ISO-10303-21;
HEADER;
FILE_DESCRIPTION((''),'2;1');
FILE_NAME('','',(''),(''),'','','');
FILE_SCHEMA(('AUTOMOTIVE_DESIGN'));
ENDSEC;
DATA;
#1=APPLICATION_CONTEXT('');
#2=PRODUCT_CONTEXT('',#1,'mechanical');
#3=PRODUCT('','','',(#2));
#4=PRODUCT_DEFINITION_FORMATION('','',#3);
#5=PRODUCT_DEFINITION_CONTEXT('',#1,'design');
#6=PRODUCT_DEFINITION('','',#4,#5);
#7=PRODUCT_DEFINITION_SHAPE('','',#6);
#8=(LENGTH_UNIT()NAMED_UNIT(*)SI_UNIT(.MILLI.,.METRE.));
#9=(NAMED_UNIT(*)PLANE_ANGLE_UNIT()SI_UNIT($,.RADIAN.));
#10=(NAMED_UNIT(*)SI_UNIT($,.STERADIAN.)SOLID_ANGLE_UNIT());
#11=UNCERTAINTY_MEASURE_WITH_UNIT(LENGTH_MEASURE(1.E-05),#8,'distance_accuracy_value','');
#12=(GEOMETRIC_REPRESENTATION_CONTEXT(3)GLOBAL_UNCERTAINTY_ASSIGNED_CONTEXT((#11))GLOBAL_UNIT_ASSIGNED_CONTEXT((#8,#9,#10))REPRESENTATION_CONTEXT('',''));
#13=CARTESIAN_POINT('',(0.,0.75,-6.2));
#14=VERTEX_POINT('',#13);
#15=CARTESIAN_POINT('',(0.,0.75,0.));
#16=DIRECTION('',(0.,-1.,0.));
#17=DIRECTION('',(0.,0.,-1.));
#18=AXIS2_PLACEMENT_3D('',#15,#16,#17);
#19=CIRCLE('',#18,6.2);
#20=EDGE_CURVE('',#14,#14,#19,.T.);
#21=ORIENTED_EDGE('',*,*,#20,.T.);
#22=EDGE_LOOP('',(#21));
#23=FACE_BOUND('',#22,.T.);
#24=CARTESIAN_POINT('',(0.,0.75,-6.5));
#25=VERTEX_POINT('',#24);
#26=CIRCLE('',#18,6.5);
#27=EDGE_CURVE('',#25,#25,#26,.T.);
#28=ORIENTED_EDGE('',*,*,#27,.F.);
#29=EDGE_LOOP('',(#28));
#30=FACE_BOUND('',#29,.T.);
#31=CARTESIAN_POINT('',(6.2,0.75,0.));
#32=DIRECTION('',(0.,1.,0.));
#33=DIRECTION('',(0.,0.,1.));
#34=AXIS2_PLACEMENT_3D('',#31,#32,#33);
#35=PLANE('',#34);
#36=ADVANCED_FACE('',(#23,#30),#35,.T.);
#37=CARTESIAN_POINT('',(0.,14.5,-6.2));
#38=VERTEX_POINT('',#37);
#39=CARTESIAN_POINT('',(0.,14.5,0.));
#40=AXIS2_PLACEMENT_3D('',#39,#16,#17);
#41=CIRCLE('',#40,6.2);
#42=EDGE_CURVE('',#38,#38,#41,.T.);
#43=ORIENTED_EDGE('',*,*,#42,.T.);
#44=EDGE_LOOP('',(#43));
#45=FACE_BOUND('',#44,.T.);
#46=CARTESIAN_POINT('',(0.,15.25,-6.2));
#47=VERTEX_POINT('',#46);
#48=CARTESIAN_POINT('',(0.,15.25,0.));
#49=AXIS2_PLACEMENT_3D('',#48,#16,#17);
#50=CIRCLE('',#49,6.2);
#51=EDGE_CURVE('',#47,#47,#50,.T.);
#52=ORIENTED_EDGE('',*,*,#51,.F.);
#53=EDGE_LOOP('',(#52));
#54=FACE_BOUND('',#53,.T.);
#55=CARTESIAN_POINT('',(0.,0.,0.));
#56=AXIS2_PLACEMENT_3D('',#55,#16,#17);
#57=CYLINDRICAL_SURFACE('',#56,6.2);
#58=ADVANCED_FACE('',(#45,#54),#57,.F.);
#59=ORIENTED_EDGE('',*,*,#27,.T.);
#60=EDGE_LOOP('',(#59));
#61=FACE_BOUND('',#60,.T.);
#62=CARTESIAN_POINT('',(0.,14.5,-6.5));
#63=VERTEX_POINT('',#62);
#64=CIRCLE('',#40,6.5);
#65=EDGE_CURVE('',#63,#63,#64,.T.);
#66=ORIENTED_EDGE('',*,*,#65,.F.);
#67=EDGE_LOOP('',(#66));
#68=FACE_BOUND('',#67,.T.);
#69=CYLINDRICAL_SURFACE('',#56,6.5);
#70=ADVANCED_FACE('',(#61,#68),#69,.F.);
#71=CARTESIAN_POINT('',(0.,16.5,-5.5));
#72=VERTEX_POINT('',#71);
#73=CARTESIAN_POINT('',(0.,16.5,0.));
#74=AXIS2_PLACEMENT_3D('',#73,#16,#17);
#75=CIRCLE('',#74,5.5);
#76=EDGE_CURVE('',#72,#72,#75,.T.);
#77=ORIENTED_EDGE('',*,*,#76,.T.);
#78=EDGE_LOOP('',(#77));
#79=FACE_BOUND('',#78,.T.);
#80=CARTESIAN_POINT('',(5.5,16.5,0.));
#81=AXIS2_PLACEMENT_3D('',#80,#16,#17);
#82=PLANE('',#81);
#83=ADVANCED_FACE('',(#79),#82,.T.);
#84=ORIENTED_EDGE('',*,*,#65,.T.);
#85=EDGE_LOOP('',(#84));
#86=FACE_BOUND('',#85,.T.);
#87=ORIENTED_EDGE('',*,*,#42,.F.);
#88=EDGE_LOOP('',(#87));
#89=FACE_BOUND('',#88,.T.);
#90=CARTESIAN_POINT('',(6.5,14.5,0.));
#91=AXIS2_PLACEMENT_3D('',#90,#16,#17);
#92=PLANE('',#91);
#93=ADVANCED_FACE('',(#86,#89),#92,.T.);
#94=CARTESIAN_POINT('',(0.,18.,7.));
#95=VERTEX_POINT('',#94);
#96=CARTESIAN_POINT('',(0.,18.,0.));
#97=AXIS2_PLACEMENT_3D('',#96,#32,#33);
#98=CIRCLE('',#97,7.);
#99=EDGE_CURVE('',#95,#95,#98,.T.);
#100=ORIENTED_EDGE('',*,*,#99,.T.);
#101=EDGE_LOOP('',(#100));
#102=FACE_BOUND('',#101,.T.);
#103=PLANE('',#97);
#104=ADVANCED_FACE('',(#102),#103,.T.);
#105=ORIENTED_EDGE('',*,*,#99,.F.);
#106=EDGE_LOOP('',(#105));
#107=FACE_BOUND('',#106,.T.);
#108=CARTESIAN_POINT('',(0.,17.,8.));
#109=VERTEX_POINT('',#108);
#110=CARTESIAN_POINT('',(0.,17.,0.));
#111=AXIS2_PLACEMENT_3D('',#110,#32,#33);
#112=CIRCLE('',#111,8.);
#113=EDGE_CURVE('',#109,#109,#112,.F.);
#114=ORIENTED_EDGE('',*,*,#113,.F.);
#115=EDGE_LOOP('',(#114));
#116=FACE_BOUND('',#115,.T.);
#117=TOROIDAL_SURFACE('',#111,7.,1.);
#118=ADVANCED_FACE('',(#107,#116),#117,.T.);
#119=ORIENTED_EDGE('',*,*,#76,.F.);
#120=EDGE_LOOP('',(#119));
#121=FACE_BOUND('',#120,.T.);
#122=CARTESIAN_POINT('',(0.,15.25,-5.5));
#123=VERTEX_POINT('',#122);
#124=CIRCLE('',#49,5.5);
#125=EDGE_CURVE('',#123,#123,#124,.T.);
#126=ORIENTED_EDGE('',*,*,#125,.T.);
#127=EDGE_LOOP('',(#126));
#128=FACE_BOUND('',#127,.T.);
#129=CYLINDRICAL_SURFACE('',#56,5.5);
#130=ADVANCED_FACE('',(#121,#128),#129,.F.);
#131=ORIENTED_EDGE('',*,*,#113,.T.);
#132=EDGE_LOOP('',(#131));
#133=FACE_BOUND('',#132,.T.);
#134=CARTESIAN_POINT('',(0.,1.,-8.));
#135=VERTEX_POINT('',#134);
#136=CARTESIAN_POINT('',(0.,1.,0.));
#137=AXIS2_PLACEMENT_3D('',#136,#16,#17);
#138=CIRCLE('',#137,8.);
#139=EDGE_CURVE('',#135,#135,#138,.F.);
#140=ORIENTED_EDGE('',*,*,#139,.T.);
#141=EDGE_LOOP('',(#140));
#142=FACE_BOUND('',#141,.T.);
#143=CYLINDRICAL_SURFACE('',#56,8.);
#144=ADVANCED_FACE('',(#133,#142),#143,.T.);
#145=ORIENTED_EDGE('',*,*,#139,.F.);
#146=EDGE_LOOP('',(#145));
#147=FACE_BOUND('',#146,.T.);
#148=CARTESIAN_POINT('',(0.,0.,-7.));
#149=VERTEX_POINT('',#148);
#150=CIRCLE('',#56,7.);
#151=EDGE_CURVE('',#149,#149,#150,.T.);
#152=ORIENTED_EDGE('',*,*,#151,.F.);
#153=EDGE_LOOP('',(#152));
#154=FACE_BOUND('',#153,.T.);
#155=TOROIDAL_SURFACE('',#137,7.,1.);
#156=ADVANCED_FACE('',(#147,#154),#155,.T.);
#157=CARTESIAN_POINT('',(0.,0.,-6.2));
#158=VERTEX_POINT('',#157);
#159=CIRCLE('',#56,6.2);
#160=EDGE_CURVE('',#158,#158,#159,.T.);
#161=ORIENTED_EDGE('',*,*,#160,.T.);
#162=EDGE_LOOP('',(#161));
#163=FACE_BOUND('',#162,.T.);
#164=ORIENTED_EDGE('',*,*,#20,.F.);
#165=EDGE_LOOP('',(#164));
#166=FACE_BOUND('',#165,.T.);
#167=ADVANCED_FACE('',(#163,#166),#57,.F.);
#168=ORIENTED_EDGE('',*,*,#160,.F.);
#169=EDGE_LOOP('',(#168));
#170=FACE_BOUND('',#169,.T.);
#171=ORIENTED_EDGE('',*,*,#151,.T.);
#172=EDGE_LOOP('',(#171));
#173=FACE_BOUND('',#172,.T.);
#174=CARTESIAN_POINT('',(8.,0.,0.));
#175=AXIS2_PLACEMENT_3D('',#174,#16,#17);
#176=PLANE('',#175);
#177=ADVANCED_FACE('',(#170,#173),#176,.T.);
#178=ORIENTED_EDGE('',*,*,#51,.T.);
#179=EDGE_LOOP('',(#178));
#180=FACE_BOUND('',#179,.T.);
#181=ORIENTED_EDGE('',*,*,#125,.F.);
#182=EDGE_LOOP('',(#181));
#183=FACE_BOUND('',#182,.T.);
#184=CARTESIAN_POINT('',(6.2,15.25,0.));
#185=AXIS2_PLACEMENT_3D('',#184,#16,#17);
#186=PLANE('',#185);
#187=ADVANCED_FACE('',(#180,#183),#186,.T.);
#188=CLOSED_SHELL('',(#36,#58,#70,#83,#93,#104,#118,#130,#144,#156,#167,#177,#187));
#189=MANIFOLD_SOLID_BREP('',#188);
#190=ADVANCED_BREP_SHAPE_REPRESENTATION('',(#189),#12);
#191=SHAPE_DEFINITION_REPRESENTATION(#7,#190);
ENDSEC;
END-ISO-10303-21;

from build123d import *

# Parameters (mm, degrees)
FILLET1_R = 1


with BuildPart() as part:
    # Sketch1 → Revolve1 (revolve)
    with BuildSketch(Plane.XY, mode=Mode.PRIVATE) as revolve1_sk:
        Polygon((0, 18), (8, 18), (8, 0), (6.2, 0), (6.2, 0.75), (6.5, 0.75), (6.5, 14.5), (6.2, 14.5), (6.2, 15.25), (5.5, 15.25), (5.5, 16.5), (0, 16.5), align=None)
    revolve(revolve1_sk.sketch.rotate(Axis((0, 0, 0), (0, 1, 0)), 90), axis=Axis((0, 0, 0), (0, 1, 0)))

    # Fillet1
    fillet1_edges = [part.edges().sort_by_distance(p)[0] for p in [
        (0, 0, 8),
        (0, 18, 8),
    ]]
    fillet(fillet1_edges, radius=FILLET1_R)


solid = part.part
